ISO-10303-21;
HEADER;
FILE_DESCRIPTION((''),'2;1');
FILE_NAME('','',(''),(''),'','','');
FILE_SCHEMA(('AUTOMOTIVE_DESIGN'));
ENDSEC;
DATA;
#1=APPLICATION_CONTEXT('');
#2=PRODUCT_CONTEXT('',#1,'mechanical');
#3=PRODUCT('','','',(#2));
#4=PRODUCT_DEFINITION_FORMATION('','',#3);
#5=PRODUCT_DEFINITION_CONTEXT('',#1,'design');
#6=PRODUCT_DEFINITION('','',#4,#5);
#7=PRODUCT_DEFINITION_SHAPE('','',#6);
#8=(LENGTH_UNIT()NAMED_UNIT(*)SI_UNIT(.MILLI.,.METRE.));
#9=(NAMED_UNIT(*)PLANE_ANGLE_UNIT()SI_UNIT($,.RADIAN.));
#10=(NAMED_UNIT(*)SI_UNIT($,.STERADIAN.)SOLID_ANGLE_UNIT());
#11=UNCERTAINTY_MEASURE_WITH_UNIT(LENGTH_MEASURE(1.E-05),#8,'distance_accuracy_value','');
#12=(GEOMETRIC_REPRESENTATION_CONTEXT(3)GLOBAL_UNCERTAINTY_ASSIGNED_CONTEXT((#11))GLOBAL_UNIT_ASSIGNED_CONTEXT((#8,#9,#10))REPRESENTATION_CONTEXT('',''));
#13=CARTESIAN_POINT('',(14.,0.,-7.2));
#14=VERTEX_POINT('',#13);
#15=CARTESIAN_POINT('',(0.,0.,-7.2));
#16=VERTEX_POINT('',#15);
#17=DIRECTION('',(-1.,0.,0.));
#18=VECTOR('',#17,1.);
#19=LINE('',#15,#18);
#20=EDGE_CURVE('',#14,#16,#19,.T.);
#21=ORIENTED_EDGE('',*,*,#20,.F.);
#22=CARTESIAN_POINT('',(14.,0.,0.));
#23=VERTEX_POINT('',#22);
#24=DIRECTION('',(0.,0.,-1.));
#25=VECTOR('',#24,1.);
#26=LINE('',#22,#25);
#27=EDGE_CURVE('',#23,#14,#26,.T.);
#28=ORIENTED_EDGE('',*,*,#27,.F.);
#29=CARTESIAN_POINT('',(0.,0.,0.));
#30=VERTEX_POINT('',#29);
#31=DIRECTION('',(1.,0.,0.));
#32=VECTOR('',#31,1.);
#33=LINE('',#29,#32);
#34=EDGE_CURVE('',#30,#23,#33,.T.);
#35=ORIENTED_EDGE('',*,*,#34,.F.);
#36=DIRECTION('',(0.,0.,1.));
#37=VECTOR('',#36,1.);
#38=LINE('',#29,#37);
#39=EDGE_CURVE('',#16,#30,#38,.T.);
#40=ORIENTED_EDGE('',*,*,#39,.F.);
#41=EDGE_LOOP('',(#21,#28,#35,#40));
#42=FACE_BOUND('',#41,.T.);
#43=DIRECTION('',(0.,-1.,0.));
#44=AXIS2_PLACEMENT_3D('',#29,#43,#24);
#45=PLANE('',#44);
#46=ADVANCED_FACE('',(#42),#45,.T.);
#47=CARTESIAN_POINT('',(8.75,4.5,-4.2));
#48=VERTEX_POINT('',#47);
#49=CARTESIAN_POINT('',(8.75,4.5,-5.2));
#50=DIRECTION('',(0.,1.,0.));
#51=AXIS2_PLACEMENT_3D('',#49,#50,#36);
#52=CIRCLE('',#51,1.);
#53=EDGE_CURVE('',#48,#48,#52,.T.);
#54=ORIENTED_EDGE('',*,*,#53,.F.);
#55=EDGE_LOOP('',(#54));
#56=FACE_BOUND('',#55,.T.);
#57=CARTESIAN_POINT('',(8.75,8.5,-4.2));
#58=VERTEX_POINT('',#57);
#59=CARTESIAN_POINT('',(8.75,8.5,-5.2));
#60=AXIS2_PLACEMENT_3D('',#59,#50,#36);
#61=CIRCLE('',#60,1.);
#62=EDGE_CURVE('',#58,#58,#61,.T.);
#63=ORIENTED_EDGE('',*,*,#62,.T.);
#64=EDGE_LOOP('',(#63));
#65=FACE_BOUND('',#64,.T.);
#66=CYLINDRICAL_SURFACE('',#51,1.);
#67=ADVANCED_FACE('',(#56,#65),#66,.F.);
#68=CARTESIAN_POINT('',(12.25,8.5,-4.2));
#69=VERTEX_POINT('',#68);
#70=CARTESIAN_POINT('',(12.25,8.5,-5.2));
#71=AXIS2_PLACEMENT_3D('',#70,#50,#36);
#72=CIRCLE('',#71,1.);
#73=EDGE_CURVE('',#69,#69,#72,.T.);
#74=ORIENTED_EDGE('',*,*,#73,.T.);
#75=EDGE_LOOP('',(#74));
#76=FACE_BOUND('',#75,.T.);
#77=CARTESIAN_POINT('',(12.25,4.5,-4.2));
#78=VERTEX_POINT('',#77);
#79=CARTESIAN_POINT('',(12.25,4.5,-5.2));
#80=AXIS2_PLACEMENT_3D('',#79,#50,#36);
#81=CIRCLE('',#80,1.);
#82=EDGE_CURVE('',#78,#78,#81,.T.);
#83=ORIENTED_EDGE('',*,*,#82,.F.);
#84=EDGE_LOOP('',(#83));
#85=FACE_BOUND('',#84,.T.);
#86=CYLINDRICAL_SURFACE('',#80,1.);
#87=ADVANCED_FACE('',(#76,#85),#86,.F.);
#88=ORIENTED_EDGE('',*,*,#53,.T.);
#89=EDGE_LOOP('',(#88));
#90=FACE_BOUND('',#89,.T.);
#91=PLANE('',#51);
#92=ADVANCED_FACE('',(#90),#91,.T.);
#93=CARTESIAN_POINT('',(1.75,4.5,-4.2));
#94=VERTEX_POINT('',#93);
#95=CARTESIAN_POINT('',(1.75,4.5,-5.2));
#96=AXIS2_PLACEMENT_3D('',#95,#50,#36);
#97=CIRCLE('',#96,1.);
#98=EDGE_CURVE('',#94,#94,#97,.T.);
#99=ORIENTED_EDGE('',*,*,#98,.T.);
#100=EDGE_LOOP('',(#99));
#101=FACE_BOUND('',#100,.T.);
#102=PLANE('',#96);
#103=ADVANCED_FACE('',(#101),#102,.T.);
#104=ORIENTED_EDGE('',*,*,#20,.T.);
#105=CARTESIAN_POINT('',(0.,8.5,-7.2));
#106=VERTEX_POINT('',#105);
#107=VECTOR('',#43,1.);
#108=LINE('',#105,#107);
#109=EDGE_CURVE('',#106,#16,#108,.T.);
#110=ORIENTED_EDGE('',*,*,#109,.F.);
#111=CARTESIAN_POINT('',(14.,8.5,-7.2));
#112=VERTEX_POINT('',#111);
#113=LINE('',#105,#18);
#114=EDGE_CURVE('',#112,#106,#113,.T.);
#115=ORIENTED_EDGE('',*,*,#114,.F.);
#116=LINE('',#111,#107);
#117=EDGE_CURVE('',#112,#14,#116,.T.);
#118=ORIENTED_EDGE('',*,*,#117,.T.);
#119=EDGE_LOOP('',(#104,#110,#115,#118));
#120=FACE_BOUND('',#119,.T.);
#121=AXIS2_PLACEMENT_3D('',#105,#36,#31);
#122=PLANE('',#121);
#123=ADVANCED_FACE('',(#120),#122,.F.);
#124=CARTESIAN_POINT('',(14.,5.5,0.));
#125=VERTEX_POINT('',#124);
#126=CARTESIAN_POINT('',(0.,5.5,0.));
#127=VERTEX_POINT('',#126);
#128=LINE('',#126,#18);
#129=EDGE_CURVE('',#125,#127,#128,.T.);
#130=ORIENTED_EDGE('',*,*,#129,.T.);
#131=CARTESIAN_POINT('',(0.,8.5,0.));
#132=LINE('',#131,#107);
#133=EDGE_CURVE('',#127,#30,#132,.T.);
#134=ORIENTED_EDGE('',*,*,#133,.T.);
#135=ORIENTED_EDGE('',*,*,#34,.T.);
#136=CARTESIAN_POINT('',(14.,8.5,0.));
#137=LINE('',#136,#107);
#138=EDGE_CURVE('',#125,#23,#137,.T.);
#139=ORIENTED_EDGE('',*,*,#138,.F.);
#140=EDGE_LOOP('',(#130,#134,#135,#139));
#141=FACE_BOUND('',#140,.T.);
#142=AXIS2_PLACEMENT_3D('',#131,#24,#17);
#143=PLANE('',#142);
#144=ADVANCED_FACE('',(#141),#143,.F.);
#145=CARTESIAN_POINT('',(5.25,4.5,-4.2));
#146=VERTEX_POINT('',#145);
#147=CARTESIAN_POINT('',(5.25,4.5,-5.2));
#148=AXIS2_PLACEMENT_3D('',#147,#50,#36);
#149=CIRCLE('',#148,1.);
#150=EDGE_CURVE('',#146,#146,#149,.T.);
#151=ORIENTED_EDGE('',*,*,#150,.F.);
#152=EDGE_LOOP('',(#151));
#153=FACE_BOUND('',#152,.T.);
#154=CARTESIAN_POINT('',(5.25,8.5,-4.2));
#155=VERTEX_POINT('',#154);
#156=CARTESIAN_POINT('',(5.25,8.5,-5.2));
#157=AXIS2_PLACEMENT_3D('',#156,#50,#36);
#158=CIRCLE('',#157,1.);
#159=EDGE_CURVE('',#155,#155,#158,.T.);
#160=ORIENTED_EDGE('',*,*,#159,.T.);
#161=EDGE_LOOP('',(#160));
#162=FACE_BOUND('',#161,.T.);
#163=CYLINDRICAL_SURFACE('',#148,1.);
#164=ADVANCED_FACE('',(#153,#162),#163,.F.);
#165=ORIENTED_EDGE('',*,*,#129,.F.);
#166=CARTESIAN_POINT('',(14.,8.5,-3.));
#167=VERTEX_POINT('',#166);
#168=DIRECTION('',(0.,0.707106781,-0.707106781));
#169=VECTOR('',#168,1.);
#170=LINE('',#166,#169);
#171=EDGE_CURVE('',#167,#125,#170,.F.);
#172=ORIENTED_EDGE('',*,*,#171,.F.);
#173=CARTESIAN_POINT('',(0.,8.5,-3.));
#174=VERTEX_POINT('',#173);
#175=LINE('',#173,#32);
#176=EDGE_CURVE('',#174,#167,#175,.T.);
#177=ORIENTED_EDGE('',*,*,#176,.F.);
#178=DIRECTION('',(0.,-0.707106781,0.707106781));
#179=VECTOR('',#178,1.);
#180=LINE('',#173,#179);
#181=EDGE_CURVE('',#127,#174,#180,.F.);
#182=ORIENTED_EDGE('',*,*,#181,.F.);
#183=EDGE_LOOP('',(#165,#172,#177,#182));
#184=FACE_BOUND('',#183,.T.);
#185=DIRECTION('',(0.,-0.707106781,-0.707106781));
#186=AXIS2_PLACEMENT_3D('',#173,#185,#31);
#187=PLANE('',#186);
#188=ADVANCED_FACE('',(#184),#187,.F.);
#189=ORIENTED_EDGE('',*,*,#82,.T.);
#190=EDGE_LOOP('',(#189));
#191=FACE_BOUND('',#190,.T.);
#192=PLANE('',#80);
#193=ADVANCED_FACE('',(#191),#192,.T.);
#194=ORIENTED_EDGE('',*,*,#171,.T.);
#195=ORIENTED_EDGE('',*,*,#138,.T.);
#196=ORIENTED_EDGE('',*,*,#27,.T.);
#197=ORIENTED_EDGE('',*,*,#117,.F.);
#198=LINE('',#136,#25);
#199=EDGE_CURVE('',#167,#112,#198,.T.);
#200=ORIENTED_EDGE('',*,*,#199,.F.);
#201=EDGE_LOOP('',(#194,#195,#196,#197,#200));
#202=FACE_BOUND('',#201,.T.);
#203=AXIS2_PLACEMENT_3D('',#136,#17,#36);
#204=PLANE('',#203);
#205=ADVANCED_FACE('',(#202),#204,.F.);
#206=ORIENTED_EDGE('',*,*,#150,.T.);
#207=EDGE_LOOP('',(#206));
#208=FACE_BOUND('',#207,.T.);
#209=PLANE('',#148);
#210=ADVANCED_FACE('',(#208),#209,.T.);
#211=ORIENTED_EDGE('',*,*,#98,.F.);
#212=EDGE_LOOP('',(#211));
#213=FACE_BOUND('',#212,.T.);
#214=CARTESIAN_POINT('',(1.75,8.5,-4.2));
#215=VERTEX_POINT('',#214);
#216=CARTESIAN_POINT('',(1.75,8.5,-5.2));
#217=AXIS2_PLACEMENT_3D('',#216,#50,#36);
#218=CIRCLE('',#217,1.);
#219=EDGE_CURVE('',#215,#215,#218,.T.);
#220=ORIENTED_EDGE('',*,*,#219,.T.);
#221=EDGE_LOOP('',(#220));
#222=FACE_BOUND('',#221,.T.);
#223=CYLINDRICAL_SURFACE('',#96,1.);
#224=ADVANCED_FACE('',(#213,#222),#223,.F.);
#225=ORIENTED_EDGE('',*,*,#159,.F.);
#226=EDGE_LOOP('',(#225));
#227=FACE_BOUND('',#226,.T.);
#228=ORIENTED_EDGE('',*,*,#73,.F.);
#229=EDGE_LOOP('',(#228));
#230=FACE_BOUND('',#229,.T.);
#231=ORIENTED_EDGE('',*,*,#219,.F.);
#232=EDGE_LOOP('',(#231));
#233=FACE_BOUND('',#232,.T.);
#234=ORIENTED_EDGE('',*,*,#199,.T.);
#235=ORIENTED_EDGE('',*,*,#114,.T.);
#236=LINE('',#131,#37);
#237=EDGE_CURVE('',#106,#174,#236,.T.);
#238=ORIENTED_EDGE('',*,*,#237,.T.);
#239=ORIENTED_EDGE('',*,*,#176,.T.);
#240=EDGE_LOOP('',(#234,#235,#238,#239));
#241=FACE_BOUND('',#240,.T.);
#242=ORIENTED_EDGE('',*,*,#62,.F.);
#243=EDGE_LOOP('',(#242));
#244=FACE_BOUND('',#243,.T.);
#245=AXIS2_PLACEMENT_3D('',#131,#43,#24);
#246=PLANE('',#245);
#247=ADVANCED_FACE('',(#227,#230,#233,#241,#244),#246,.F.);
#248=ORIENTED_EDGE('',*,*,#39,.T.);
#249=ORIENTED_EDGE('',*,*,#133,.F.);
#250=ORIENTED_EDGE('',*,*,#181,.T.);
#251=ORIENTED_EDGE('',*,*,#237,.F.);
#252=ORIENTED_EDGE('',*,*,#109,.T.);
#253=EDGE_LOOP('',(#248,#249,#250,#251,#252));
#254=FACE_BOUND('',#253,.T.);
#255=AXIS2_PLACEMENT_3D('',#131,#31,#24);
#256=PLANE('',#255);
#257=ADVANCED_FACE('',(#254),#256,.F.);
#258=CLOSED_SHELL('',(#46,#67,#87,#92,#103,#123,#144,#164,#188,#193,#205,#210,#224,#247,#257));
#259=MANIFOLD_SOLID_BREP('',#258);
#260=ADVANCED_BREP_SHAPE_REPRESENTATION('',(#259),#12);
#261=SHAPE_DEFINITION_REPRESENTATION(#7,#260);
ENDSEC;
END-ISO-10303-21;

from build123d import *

# Parameters (mm, degrees)
SKETCH_1_W          = 14
SKETCH_1_H          = 7.2
EXTRUDE_1_DEPTH     = 8.5
CHAMFER_1_SIZE      = 3
SKETCH_2_R          = 1
CUT_EXTRUDE_1_DEPTH = 4


with BuildPart() as part:
    # Эскиз1 → Бобышка-Вытянуть1 (new body)
    with BuildSketch(Plane(origin=(0, 0, 0), x_dir=(1, 0, 0), z_dir=(0, 1, 0))):
        with Locations((7, 3.6)):
            Rectangle(SKETCH_1_W, SKETCH_1_H)
    extrude(amount=EXTRUDE_1_DEPTH)

    # Фаска1
    chamfer_1_edges = [part.edges().sort_by_distance(p)[0] for p in [
        (7, 8.5, 0),
    ]]
    chamfer(chamfer_1_edges, length=CHAMFER_1_SIZE)

    # Эскиз2 → Вырез-Вытянуть1 (cut)
    with BuildSketch(Plane(origin=(0, 8.5, 0), x_dir=(1, 0, 0), z_dir=(0, 1, 0))):
        with Locations(Location((1.75, 5.2, 0), (0, 0, 270))):
            Circle(SKETCH_2_R)
        with Locations(Location((5.25, 5.2, 0), (0, 0, 270))):
            Circle(SKETCH_2_R)
        with Locations(Location((8.75, 5.2, 0), (0, 0, 270))):
            Circle(SKETCH_2_R)
        with Locations(Location((12.25, 5.2, 0), (0, 0, 270))):
            Circle(SKETCH_2_R)
    extrude(amount=-CUT_EXTRUDE_1_DEPTH, mode=Mode.SUBTRACT)


solid = part.part
